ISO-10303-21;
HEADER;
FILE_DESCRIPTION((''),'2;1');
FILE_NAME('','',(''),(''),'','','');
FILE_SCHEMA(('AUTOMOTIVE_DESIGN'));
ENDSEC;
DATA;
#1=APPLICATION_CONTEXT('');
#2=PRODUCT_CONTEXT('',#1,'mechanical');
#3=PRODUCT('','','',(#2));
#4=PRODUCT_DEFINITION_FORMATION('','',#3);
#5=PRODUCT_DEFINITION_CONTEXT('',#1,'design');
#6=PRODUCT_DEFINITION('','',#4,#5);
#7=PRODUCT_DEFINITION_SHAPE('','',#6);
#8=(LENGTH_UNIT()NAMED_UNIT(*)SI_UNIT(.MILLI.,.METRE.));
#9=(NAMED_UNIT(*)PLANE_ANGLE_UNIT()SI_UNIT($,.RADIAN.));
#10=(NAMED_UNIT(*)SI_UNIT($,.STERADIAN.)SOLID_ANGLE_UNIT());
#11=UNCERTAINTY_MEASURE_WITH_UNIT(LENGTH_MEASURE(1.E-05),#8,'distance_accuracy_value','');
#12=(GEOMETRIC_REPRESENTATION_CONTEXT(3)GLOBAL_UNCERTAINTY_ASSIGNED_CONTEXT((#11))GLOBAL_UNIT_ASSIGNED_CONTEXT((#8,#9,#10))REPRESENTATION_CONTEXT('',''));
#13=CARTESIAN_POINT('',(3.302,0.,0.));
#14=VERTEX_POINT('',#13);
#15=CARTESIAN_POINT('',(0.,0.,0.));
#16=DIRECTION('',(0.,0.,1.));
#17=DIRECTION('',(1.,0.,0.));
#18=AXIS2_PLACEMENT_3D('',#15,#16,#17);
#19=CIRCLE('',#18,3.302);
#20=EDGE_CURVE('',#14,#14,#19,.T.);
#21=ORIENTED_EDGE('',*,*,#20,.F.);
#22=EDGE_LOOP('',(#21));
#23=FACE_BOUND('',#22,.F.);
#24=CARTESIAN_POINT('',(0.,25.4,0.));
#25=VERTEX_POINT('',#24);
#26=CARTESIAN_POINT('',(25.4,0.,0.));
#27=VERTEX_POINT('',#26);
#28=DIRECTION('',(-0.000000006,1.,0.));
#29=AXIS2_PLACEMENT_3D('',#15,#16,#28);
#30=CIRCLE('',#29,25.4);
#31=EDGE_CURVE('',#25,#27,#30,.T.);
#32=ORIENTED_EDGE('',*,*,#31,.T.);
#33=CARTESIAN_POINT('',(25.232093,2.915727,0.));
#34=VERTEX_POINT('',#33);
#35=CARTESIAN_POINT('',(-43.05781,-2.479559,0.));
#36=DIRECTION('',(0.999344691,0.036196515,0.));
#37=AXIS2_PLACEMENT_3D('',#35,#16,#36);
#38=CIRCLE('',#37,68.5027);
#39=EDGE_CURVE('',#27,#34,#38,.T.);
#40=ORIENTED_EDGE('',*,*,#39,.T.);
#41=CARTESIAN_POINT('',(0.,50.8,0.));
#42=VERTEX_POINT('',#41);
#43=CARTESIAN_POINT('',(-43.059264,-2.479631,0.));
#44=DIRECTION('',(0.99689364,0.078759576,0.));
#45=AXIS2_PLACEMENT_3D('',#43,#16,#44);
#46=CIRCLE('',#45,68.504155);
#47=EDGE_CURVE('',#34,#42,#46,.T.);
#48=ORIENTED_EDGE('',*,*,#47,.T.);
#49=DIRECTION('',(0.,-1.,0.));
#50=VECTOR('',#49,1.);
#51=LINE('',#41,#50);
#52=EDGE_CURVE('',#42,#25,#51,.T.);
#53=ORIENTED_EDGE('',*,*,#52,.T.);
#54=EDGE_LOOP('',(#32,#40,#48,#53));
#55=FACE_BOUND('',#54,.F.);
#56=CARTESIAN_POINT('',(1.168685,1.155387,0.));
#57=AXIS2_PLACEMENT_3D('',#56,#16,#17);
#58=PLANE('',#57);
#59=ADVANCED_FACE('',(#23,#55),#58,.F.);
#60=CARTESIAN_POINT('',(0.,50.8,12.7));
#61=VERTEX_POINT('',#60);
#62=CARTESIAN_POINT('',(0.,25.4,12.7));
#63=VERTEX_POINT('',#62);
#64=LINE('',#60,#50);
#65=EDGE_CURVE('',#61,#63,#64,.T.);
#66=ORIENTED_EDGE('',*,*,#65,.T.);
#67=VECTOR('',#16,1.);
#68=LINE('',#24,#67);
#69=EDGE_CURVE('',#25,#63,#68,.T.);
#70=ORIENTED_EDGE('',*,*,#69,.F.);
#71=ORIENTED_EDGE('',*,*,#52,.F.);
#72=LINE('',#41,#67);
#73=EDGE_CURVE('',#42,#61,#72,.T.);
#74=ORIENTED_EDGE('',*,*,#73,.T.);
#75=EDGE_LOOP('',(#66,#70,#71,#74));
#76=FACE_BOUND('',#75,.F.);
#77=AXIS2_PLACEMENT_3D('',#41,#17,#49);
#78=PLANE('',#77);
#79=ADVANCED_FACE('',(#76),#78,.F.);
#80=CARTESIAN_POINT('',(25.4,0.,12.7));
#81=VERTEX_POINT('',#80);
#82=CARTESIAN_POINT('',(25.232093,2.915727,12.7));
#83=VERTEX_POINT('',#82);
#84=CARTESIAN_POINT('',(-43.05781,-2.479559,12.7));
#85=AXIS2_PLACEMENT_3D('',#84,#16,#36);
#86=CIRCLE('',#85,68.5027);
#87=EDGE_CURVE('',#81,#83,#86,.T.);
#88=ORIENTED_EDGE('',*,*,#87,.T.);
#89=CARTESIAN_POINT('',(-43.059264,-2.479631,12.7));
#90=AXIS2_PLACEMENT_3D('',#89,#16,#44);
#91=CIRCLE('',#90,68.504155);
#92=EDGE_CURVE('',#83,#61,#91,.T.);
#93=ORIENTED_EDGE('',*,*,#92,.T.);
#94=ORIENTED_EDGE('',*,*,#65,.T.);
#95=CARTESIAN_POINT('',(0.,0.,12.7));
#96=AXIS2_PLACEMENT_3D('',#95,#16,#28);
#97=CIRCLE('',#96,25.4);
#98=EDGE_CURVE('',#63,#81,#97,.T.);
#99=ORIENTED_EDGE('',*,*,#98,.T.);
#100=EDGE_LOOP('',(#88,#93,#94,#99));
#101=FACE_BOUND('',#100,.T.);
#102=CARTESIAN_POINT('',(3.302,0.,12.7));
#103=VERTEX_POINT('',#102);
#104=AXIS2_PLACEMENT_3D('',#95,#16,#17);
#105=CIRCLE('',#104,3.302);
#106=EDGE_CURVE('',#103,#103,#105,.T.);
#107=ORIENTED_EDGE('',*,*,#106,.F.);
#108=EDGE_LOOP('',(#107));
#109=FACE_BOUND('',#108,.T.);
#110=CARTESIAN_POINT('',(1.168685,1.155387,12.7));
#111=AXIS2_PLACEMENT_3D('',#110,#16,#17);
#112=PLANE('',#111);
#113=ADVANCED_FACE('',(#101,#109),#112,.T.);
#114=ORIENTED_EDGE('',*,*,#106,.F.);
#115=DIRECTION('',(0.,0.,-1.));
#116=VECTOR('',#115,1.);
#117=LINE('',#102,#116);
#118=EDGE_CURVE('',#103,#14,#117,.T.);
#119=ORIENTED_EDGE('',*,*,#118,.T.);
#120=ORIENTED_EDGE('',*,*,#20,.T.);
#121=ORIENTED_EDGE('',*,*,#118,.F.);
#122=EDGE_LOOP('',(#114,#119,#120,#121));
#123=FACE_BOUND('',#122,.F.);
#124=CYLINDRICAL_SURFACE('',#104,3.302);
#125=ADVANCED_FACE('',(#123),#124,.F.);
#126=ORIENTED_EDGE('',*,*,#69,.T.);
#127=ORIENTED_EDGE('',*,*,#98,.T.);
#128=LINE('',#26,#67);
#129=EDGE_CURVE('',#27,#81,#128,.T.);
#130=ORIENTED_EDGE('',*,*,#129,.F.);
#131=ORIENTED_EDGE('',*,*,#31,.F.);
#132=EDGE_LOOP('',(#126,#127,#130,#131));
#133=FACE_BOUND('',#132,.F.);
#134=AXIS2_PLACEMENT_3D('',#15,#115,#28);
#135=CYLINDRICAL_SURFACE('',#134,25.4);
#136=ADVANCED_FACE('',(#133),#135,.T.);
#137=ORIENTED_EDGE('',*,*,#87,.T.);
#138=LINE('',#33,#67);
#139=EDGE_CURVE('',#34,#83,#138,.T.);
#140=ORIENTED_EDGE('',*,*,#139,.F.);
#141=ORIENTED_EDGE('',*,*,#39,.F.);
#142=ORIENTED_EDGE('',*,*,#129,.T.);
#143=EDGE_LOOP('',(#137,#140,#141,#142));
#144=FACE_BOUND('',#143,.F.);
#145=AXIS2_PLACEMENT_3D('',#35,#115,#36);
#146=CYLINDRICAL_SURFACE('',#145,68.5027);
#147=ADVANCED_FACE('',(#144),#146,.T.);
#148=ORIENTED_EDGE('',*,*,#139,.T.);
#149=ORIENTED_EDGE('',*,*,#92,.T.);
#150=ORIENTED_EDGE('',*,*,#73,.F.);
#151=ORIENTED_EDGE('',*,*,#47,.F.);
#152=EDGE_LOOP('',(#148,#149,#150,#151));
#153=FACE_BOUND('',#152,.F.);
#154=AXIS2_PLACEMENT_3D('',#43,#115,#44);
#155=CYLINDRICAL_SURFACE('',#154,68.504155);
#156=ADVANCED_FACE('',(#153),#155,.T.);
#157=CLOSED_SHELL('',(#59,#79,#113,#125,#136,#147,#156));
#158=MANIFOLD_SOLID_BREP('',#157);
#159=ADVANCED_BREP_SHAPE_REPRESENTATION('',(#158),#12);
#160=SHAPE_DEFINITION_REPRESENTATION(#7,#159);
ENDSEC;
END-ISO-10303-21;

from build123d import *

# Parameters (mm, degrees)
F1_DEPTH = 12.7
F2_R     = 3.302
F3_DEPTH = 25.4


with BuildPart() as f1:
    # F0 (on Top) → F1 (new body)
    with BuildSketch(Plane.XY):
        with BuildLine():
            ThreePointArc((25.232093, 2.915727), (16.898233, 18.963379), (0, 25.4))
            ThreePointArc((0, 25.4), (-17.960512, -17.960512), (25.4, 0))
            ThreePointArc((25.4, 0), (25.331587, 1.458758), (25.232093, 2.915727))
        make_face()
        with BuildLine():
            Line((0, 50.8), (0, 25.4))
            ThreePointArc((0, 25.4), (16.898233, 18.963379), (25.232093, 2.915727))
            ThreePointArc((25.232093, 2.915727), (17.545737, 29.455509), (0, 50.8))
        make_face()
    extrude(amount=F1_DEPTH)

    # F2 (on face) → F3 (cut)
    with BuildSketch(Plane.XY.offset(12.7)):
        Circle(F2_R)
    extrude(amount=-F3_DEPTH, mode=Mode.SUBTRACT)


solid = f1.part
